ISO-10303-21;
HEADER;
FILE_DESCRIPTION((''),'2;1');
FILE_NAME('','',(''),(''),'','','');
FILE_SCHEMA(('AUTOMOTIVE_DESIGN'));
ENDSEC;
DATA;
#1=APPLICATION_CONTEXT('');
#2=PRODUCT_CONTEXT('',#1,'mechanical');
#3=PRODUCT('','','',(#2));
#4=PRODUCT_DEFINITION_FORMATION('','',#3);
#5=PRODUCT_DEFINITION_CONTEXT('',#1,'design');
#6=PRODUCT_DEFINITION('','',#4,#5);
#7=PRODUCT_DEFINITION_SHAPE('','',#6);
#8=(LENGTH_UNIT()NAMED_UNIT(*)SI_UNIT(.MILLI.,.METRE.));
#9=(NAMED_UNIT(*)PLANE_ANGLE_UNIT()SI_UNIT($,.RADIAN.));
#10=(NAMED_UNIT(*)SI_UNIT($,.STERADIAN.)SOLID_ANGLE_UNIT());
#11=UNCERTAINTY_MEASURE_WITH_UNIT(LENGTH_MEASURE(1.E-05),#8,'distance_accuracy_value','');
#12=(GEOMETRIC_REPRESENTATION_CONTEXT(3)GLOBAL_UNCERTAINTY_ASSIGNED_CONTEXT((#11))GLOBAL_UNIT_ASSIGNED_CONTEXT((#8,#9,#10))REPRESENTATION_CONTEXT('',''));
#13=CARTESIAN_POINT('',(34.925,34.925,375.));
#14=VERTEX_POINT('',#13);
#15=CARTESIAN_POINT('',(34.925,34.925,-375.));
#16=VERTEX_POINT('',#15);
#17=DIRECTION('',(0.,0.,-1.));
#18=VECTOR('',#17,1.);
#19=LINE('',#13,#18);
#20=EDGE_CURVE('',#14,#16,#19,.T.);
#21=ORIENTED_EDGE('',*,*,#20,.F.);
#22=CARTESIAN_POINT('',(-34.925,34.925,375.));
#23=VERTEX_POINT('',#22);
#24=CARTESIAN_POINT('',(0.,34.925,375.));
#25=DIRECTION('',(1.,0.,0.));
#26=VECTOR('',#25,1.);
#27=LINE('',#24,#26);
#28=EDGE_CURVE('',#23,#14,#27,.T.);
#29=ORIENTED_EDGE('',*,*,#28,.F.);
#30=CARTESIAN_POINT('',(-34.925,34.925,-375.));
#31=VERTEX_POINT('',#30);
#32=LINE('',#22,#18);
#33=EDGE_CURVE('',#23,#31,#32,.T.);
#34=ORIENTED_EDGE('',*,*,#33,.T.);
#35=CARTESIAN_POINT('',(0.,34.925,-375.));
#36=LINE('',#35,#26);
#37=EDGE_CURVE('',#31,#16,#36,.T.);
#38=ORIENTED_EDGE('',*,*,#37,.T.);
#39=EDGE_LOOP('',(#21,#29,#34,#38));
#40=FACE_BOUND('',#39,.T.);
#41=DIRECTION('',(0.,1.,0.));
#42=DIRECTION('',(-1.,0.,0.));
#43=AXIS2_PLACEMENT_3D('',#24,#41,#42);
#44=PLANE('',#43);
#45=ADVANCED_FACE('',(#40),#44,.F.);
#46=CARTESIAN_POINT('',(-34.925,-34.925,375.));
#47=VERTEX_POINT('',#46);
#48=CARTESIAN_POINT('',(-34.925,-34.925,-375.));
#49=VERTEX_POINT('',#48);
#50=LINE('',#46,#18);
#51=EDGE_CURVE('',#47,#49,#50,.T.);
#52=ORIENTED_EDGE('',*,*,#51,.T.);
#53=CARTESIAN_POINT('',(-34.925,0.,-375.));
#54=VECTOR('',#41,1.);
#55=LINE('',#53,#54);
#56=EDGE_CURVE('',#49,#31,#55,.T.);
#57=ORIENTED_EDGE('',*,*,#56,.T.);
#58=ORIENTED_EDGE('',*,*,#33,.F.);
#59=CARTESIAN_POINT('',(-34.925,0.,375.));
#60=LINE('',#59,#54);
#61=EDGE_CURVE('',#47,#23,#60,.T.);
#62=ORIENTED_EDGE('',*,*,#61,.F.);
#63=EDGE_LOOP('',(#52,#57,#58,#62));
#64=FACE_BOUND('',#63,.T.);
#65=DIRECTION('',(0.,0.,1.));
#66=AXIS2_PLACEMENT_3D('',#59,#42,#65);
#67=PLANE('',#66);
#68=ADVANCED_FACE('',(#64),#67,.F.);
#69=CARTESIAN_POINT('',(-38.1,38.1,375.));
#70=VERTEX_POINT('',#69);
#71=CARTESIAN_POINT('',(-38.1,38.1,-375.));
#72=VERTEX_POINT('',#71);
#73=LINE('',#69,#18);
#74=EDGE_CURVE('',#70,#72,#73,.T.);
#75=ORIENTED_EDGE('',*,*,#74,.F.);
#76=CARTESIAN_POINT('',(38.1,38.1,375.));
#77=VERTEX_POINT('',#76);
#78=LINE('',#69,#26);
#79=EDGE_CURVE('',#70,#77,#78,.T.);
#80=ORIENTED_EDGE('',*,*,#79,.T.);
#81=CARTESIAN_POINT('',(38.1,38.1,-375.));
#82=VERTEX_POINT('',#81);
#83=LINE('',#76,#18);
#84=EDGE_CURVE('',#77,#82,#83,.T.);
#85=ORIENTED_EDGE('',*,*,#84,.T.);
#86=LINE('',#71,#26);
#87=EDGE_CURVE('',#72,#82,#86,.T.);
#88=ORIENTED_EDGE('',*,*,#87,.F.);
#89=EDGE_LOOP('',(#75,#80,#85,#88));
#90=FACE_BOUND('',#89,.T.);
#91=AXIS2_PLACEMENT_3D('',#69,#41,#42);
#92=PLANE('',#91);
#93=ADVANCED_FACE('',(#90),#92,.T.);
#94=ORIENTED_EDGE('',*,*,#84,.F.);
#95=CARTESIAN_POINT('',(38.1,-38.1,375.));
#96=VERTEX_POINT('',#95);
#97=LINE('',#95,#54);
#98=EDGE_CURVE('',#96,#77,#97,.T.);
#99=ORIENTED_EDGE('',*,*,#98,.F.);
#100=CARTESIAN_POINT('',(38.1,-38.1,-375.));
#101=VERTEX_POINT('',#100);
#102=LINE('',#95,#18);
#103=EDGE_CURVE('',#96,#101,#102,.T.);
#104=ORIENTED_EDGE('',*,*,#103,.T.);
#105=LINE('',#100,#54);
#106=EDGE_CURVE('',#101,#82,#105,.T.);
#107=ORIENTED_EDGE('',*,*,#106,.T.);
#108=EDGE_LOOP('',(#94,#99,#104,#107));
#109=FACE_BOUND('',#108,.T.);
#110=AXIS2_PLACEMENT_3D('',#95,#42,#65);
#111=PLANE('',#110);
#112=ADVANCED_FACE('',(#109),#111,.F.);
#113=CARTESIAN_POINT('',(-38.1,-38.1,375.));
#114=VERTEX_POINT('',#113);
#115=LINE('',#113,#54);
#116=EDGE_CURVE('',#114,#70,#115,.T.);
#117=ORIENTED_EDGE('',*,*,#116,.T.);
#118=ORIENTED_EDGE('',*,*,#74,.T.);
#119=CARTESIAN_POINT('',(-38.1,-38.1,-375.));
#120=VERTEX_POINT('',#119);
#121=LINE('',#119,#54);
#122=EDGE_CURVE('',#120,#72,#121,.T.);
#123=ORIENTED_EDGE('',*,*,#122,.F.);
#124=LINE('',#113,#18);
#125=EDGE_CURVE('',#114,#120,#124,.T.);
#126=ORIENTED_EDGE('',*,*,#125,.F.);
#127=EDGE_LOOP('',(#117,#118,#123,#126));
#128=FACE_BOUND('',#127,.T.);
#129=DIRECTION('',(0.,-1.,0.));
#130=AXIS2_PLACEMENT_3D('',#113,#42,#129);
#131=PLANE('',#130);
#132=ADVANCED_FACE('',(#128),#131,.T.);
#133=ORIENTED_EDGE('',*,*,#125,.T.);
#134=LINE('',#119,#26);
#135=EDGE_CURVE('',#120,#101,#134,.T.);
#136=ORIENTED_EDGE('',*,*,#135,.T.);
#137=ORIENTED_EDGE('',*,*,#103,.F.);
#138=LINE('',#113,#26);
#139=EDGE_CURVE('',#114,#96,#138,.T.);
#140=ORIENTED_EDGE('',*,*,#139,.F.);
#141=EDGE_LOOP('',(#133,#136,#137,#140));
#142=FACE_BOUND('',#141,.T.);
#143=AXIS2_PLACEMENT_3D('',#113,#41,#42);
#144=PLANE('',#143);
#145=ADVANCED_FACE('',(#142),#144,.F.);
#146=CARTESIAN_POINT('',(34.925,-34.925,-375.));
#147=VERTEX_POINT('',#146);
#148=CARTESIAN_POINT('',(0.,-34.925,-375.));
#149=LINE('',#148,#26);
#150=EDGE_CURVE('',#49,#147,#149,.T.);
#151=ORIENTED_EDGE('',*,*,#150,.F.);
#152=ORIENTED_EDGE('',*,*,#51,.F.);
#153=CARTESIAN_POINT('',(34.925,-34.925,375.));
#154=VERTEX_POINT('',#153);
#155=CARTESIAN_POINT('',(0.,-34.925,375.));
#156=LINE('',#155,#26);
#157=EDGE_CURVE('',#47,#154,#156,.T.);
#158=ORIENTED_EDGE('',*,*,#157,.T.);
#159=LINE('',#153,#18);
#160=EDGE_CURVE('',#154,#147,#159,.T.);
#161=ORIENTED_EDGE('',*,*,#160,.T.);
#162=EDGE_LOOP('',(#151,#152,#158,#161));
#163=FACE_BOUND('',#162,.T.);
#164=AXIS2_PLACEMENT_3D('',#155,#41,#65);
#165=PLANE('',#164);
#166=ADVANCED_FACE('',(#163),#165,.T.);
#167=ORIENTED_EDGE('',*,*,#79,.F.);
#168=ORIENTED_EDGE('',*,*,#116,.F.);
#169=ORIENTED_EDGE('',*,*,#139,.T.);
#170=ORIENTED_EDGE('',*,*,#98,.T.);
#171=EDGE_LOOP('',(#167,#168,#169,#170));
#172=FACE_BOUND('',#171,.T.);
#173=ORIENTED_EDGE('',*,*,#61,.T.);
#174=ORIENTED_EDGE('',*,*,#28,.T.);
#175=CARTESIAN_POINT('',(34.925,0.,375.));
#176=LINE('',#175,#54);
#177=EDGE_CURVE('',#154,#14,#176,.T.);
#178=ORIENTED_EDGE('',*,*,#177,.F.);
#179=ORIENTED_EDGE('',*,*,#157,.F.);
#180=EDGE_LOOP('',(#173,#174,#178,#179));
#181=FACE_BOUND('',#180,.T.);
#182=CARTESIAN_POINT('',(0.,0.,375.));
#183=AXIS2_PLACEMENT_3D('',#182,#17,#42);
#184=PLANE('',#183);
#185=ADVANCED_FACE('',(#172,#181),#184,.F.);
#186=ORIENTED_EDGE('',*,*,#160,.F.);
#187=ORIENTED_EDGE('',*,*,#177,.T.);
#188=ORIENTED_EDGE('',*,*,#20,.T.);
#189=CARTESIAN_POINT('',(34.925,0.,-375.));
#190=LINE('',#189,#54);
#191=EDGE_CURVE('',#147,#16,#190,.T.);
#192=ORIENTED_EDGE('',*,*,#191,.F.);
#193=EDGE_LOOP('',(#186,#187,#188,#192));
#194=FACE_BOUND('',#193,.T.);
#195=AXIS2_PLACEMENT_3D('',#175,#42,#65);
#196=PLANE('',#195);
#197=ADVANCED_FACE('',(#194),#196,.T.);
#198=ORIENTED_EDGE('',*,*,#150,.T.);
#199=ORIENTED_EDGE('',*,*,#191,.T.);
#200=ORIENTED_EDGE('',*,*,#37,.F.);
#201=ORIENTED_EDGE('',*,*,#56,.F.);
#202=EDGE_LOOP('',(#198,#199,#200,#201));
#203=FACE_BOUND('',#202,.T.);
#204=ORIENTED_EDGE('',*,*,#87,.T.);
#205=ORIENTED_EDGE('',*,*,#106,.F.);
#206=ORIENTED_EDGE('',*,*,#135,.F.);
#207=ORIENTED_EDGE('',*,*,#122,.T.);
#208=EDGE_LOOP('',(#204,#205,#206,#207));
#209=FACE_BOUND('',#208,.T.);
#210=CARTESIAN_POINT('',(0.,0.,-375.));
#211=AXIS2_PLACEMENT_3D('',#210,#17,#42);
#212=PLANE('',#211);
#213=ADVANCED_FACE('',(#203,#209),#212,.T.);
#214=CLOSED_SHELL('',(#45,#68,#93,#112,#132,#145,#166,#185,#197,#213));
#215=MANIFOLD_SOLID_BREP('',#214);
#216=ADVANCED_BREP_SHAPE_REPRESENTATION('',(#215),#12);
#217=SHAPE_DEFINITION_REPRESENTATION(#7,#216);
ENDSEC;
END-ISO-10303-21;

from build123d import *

# Parameters (mm, degrees)
SKETCH1_W           = 76.2
SKETCH1_H           = 76.2
SKETCH1_W_2         = 69.85
SKETCH1_H_2         = 69.85
BOSS_EXTRUDE1_DEPTH = 375


with BuildPart() as part:
    # Sketch1 → Boss-Extrude1 (new, symmetric)
    with BuildSketch(Plane.XY):
        Rectangle(SKETCH1_W, SKETCH1_H)
        Rectangle(SKETCH1_W_2, SKETCH1_H_2, mode=Mode.SUBTRACT)
    extrude(amount=BOSS_EXTRUDE1_DEPTH, both=True)


solid = part.part
